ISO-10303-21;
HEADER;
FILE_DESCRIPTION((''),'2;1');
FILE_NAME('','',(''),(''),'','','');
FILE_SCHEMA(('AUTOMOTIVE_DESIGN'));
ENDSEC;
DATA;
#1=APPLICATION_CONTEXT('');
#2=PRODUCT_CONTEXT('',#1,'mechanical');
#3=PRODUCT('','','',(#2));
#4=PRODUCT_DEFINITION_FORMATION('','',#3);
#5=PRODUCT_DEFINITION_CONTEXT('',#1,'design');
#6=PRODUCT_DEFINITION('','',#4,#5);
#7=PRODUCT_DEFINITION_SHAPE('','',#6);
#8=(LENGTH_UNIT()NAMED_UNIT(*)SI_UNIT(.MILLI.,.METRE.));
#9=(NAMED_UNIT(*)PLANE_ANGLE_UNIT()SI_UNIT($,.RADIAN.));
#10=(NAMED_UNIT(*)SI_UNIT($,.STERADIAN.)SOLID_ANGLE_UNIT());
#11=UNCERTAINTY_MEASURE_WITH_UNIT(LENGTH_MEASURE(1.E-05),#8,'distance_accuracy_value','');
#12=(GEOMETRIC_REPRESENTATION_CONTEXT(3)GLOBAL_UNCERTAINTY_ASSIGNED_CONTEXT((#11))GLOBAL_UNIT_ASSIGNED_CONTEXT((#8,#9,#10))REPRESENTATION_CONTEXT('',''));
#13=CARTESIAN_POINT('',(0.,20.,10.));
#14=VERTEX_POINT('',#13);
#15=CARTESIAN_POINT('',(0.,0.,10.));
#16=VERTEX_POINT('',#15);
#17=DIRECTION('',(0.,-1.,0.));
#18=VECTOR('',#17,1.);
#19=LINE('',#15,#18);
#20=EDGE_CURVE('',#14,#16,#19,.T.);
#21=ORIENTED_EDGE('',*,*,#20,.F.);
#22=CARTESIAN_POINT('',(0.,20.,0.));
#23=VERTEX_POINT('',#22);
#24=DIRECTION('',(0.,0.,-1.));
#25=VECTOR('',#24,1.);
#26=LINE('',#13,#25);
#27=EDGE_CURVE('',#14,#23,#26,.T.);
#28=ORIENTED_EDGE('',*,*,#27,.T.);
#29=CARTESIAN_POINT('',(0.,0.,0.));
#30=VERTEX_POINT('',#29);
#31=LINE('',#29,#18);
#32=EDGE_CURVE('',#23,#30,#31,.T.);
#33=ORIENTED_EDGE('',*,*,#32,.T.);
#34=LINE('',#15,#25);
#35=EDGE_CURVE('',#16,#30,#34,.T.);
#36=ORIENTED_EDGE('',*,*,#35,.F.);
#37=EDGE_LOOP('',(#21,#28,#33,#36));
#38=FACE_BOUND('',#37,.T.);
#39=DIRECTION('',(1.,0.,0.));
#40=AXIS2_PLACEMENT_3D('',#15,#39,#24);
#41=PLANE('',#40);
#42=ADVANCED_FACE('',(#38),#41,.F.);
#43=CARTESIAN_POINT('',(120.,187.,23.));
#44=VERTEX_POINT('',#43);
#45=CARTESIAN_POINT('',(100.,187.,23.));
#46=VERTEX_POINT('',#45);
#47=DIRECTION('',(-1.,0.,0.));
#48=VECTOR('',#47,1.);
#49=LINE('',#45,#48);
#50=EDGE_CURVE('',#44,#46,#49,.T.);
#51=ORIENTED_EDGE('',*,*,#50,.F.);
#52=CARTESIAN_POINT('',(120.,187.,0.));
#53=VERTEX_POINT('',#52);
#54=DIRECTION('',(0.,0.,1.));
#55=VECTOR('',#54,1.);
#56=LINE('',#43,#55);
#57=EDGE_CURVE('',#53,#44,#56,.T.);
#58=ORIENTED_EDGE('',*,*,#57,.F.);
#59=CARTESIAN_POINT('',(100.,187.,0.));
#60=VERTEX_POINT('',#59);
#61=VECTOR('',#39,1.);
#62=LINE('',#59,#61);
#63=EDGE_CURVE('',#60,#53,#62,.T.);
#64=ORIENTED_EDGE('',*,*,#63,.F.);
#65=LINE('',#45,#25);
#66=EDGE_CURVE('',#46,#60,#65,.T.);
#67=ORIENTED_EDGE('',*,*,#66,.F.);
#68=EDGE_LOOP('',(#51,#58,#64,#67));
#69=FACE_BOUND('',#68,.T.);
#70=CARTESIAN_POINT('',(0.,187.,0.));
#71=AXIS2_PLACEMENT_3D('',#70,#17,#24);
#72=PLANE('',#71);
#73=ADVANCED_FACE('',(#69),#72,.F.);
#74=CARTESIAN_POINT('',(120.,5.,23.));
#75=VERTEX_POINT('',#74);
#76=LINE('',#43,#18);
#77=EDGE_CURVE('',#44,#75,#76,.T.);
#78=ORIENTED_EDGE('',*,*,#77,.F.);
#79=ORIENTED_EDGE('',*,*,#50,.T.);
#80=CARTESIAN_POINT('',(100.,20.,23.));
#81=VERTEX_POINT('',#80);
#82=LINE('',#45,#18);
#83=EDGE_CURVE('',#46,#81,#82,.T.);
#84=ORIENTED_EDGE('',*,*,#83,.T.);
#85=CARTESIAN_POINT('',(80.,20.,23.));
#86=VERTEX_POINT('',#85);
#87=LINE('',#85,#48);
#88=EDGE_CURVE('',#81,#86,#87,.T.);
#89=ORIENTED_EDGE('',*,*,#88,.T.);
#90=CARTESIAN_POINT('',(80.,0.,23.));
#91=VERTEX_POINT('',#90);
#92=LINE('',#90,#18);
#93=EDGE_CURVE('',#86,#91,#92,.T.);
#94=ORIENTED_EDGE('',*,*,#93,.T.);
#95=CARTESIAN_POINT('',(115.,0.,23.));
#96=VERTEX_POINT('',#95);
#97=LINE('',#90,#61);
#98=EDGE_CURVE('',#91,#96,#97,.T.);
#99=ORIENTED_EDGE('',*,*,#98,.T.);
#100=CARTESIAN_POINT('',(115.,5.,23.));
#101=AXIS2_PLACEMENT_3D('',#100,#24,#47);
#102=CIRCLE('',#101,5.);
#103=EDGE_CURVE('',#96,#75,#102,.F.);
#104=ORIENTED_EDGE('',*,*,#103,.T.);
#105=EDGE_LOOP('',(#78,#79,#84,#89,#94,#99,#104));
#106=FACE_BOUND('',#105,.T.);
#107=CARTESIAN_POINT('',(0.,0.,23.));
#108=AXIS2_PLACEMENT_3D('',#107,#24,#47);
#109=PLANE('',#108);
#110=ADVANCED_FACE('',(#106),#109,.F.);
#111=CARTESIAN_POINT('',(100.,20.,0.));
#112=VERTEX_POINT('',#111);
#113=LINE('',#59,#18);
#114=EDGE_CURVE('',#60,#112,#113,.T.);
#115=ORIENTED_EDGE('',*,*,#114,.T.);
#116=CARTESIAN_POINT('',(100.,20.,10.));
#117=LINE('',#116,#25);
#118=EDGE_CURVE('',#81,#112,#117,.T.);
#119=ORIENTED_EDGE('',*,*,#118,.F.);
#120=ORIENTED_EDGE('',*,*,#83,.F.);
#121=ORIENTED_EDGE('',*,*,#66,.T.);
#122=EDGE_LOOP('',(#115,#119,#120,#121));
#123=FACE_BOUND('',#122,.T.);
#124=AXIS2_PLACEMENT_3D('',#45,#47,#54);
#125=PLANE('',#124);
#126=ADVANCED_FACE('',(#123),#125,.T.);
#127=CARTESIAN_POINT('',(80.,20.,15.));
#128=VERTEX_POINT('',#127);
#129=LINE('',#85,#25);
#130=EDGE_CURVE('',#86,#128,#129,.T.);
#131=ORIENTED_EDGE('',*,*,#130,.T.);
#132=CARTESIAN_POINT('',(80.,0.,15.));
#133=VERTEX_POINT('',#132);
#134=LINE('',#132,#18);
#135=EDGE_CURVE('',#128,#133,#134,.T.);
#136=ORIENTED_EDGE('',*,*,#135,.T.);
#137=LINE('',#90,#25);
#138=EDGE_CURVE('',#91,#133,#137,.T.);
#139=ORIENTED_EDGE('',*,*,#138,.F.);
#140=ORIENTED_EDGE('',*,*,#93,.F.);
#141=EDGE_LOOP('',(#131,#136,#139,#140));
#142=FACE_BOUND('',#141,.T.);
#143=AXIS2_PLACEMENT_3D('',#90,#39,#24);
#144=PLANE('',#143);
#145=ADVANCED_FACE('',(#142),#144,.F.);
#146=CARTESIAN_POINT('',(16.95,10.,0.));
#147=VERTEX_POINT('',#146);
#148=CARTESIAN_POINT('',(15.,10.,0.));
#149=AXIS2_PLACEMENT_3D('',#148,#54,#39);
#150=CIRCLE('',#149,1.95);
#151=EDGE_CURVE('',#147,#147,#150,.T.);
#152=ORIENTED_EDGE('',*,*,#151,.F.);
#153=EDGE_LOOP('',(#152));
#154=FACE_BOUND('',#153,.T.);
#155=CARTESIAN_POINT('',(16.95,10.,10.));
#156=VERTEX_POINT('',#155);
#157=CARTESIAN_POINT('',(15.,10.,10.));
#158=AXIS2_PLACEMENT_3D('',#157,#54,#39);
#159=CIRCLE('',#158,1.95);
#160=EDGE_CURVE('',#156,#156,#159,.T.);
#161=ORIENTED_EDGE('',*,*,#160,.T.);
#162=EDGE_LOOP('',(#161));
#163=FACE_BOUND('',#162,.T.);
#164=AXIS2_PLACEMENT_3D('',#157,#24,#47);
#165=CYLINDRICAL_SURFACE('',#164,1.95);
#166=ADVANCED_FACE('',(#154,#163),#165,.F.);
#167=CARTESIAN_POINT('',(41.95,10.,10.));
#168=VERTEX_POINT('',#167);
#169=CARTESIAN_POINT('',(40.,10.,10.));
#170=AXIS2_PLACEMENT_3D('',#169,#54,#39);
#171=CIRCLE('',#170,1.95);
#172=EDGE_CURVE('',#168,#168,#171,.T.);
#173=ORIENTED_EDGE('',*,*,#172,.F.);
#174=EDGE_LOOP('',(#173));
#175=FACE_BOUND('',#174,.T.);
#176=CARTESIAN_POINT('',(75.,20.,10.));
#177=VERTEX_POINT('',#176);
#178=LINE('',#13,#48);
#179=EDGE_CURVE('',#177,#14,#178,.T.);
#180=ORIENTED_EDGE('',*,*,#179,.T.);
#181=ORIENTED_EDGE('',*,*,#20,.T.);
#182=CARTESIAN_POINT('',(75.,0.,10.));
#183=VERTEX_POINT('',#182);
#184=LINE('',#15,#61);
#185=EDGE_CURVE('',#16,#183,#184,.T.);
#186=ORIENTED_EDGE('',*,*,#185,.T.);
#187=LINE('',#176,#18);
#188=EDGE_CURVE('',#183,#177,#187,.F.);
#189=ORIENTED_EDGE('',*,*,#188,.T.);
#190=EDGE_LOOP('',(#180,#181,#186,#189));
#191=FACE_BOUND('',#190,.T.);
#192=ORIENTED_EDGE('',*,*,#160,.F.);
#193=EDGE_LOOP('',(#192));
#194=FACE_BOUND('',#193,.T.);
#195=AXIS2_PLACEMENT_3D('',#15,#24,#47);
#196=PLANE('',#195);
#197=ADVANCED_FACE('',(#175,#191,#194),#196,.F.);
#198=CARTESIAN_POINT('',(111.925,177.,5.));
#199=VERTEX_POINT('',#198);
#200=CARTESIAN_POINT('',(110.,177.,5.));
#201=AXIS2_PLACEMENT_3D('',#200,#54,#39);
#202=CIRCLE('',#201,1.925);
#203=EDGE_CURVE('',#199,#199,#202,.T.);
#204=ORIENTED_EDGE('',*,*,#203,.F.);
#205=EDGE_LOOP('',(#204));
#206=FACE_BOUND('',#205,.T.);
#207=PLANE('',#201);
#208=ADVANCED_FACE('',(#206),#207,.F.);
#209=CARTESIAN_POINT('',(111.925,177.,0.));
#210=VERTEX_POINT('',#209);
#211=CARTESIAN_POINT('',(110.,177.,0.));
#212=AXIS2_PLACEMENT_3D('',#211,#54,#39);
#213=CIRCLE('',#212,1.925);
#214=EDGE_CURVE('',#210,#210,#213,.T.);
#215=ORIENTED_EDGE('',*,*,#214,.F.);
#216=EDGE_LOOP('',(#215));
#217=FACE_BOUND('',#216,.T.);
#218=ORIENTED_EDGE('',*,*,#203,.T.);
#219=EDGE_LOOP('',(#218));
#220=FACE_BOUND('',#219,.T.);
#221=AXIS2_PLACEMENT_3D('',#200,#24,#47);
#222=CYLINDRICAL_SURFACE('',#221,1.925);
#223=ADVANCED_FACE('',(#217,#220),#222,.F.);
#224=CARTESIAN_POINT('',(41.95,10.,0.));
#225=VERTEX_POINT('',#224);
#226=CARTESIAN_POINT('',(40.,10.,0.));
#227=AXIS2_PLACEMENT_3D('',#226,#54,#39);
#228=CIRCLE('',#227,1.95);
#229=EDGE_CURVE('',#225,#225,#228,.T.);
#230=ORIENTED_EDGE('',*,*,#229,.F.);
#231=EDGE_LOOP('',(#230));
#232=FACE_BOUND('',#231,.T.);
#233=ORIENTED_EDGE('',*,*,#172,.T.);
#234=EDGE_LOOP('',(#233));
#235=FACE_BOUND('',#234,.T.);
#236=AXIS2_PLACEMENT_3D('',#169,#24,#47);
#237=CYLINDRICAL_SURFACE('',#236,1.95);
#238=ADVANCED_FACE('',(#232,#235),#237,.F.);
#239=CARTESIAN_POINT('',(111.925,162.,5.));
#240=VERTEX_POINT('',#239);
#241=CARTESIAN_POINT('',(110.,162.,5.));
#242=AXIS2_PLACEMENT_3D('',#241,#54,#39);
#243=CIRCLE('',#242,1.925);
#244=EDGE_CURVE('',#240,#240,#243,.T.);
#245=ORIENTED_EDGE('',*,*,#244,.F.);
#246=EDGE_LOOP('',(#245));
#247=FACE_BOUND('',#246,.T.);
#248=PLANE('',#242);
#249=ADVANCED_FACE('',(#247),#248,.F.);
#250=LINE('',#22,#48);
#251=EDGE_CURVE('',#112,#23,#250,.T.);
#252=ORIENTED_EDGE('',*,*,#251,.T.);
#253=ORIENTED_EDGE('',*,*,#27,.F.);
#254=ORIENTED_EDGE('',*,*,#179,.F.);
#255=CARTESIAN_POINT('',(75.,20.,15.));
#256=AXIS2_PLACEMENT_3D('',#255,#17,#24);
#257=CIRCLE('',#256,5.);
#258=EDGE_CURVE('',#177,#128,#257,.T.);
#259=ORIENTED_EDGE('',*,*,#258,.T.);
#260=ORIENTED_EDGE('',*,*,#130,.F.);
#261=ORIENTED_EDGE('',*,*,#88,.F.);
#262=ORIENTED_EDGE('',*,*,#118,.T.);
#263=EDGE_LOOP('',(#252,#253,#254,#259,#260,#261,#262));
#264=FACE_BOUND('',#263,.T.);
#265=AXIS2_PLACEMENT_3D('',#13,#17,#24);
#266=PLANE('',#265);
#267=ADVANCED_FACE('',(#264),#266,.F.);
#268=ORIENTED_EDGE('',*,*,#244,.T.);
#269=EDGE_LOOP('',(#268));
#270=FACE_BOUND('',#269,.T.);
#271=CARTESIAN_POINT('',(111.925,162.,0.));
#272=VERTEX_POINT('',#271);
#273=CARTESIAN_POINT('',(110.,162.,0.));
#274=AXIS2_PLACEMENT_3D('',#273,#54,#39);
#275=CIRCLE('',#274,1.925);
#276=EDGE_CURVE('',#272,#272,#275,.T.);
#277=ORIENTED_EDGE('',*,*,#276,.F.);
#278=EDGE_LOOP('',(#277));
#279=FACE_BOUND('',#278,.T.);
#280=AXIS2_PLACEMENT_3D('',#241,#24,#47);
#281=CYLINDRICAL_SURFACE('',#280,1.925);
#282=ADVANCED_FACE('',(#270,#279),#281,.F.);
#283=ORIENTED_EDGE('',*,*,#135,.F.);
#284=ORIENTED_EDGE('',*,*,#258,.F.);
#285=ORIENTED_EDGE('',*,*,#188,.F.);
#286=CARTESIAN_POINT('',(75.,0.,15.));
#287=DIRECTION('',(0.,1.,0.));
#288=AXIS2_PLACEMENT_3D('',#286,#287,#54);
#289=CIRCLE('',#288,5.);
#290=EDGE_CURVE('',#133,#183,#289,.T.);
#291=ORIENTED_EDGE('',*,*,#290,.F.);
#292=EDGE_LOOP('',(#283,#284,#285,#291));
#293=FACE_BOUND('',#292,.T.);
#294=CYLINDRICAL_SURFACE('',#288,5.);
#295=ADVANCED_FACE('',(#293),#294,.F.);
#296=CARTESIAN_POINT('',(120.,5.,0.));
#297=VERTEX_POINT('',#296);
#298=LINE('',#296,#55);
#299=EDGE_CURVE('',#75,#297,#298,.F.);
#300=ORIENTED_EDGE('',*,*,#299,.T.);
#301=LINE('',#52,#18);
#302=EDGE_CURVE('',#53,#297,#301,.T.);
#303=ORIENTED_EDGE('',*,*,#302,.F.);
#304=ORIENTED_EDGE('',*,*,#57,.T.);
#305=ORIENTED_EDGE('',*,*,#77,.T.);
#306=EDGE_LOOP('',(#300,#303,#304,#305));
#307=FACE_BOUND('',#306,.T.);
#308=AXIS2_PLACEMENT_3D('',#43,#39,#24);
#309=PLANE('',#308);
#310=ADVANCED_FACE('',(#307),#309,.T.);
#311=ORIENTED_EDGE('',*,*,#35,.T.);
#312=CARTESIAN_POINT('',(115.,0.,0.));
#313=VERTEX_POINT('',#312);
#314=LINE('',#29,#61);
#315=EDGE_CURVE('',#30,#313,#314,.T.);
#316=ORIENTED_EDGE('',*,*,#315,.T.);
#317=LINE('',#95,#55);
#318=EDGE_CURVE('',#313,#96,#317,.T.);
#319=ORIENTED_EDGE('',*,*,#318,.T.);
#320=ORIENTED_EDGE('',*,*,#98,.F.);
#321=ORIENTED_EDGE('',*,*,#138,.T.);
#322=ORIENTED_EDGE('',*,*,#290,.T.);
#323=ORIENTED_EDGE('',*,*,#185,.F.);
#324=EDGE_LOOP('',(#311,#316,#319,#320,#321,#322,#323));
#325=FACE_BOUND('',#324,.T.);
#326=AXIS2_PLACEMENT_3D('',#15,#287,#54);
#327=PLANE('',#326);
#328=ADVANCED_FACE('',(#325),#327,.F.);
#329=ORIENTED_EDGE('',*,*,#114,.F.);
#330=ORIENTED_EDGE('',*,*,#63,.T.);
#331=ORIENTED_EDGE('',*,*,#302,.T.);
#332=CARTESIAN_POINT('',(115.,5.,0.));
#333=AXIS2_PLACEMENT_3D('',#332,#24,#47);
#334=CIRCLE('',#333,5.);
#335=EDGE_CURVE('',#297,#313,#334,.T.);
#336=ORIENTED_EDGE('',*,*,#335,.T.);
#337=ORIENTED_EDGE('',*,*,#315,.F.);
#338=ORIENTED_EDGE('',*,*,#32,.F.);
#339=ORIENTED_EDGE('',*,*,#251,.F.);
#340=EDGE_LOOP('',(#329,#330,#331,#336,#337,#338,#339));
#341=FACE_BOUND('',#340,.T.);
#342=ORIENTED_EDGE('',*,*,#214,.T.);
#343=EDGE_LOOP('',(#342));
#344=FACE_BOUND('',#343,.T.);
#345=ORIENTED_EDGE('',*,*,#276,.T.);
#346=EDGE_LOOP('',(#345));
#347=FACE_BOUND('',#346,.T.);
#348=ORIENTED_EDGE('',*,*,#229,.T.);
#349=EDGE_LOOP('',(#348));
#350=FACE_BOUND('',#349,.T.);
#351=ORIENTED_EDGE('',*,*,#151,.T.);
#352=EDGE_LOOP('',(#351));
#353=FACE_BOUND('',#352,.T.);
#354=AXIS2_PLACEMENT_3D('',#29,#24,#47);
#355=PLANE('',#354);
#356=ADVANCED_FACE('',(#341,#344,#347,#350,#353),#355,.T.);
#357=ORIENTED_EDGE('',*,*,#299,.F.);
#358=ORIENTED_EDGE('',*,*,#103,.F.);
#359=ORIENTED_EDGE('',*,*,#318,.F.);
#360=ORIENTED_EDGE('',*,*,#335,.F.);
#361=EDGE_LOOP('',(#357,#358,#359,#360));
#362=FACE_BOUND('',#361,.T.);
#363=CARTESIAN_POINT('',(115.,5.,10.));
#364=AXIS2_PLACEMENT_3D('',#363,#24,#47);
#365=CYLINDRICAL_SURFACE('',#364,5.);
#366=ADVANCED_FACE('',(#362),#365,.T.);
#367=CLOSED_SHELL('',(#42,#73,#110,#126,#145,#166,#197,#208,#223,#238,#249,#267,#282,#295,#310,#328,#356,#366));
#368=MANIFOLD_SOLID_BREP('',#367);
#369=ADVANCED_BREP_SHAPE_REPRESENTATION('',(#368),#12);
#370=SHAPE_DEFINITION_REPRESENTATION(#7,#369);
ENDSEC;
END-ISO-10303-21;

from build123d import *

# Parameters (mm, degrees)
SKETCH_1_W          = 100
SKETCH_1_H          = 20
SKETCH_1_R          = 1.95
EXTRUDE_1_DEPTH     = 10
SKETCH_2_W          = 20
SKETCH_2_H          = 20
EXTRUDE_2_DEPTH     = 13
SKETCH_4_W          = 20
SKETCH_4_H          = 23
EXTRUDE_3_DEPTH     = 187
FILLET_2_R          = 5
FILLET_3_R          = 5
SKETCH_5_R          = 1.925
CUT_EXTRUDE_1_DEPTH = 5


with BuildPart() as part:
    # 草圖1 → 填料-伸長1 (new body)
    with BuildSketch(Plane.XY):
        with Locations((50, 10)):
            Rectangle(SKETCH_1_W, SKETCH_1_H)
        with Locations((15, 10)):
            Circle(SKETCH_1_R, mode=Mode.SUBTRACT)
        with Locations((40, 10)):
            Circle(SKETCH_1_R, mode=Mode.SUBTRACT)
    extrude(amount=EXTRUDE_1_DEPTH)

    # 草圖2 → 填料-伸長2 (add)
    with BuildSketch(Plane.XY.offset(10)):
        with Locations((90, 10)):
            Rectangle(SKETCH_2_W, SKETCH_2_H)
    extrude(amount=EXTRUDE_2_DEPTH)

    # 草圖4 → 填料-伸長3 (add)
    with BuildSketch(Plane.XZ):
        with Locations((110, 11.5)):
            Rectangle(SKETCH_4_W, SKETCH_4_H)
    extrude(amount=-EXTRUDE_3_DEPTH)

    # 圓角2
    fillet_2_edges = [part.edges().sort_by_distance(p)[0] for p in [
        (80, 10, 10),
    ]]
    fillet(fillet_2_edges, radius=FILLET_2_R)

    # 圓角3
    fillet_3_edges = [part.edges().sort_by_distance(p)[0] for p in [
        (120, 0, 11.5),
    ]]
    fillet(fillet_3_edges, radius=FILLET_3_R)

    # 草圖5 → 除料-伸長1 (cut)
    with BuildSketch(Plane.XY):
        with Locations((110, 177)):
            Circle(SKETCH_5_R)
        with Locations((110, 162)):
            Circle(SKETCH_5_R)
    extrude(amount=CUT_EXTRUDE_1_DEPTH, mode=Mode.SUBTRACT)


solid = part.part
